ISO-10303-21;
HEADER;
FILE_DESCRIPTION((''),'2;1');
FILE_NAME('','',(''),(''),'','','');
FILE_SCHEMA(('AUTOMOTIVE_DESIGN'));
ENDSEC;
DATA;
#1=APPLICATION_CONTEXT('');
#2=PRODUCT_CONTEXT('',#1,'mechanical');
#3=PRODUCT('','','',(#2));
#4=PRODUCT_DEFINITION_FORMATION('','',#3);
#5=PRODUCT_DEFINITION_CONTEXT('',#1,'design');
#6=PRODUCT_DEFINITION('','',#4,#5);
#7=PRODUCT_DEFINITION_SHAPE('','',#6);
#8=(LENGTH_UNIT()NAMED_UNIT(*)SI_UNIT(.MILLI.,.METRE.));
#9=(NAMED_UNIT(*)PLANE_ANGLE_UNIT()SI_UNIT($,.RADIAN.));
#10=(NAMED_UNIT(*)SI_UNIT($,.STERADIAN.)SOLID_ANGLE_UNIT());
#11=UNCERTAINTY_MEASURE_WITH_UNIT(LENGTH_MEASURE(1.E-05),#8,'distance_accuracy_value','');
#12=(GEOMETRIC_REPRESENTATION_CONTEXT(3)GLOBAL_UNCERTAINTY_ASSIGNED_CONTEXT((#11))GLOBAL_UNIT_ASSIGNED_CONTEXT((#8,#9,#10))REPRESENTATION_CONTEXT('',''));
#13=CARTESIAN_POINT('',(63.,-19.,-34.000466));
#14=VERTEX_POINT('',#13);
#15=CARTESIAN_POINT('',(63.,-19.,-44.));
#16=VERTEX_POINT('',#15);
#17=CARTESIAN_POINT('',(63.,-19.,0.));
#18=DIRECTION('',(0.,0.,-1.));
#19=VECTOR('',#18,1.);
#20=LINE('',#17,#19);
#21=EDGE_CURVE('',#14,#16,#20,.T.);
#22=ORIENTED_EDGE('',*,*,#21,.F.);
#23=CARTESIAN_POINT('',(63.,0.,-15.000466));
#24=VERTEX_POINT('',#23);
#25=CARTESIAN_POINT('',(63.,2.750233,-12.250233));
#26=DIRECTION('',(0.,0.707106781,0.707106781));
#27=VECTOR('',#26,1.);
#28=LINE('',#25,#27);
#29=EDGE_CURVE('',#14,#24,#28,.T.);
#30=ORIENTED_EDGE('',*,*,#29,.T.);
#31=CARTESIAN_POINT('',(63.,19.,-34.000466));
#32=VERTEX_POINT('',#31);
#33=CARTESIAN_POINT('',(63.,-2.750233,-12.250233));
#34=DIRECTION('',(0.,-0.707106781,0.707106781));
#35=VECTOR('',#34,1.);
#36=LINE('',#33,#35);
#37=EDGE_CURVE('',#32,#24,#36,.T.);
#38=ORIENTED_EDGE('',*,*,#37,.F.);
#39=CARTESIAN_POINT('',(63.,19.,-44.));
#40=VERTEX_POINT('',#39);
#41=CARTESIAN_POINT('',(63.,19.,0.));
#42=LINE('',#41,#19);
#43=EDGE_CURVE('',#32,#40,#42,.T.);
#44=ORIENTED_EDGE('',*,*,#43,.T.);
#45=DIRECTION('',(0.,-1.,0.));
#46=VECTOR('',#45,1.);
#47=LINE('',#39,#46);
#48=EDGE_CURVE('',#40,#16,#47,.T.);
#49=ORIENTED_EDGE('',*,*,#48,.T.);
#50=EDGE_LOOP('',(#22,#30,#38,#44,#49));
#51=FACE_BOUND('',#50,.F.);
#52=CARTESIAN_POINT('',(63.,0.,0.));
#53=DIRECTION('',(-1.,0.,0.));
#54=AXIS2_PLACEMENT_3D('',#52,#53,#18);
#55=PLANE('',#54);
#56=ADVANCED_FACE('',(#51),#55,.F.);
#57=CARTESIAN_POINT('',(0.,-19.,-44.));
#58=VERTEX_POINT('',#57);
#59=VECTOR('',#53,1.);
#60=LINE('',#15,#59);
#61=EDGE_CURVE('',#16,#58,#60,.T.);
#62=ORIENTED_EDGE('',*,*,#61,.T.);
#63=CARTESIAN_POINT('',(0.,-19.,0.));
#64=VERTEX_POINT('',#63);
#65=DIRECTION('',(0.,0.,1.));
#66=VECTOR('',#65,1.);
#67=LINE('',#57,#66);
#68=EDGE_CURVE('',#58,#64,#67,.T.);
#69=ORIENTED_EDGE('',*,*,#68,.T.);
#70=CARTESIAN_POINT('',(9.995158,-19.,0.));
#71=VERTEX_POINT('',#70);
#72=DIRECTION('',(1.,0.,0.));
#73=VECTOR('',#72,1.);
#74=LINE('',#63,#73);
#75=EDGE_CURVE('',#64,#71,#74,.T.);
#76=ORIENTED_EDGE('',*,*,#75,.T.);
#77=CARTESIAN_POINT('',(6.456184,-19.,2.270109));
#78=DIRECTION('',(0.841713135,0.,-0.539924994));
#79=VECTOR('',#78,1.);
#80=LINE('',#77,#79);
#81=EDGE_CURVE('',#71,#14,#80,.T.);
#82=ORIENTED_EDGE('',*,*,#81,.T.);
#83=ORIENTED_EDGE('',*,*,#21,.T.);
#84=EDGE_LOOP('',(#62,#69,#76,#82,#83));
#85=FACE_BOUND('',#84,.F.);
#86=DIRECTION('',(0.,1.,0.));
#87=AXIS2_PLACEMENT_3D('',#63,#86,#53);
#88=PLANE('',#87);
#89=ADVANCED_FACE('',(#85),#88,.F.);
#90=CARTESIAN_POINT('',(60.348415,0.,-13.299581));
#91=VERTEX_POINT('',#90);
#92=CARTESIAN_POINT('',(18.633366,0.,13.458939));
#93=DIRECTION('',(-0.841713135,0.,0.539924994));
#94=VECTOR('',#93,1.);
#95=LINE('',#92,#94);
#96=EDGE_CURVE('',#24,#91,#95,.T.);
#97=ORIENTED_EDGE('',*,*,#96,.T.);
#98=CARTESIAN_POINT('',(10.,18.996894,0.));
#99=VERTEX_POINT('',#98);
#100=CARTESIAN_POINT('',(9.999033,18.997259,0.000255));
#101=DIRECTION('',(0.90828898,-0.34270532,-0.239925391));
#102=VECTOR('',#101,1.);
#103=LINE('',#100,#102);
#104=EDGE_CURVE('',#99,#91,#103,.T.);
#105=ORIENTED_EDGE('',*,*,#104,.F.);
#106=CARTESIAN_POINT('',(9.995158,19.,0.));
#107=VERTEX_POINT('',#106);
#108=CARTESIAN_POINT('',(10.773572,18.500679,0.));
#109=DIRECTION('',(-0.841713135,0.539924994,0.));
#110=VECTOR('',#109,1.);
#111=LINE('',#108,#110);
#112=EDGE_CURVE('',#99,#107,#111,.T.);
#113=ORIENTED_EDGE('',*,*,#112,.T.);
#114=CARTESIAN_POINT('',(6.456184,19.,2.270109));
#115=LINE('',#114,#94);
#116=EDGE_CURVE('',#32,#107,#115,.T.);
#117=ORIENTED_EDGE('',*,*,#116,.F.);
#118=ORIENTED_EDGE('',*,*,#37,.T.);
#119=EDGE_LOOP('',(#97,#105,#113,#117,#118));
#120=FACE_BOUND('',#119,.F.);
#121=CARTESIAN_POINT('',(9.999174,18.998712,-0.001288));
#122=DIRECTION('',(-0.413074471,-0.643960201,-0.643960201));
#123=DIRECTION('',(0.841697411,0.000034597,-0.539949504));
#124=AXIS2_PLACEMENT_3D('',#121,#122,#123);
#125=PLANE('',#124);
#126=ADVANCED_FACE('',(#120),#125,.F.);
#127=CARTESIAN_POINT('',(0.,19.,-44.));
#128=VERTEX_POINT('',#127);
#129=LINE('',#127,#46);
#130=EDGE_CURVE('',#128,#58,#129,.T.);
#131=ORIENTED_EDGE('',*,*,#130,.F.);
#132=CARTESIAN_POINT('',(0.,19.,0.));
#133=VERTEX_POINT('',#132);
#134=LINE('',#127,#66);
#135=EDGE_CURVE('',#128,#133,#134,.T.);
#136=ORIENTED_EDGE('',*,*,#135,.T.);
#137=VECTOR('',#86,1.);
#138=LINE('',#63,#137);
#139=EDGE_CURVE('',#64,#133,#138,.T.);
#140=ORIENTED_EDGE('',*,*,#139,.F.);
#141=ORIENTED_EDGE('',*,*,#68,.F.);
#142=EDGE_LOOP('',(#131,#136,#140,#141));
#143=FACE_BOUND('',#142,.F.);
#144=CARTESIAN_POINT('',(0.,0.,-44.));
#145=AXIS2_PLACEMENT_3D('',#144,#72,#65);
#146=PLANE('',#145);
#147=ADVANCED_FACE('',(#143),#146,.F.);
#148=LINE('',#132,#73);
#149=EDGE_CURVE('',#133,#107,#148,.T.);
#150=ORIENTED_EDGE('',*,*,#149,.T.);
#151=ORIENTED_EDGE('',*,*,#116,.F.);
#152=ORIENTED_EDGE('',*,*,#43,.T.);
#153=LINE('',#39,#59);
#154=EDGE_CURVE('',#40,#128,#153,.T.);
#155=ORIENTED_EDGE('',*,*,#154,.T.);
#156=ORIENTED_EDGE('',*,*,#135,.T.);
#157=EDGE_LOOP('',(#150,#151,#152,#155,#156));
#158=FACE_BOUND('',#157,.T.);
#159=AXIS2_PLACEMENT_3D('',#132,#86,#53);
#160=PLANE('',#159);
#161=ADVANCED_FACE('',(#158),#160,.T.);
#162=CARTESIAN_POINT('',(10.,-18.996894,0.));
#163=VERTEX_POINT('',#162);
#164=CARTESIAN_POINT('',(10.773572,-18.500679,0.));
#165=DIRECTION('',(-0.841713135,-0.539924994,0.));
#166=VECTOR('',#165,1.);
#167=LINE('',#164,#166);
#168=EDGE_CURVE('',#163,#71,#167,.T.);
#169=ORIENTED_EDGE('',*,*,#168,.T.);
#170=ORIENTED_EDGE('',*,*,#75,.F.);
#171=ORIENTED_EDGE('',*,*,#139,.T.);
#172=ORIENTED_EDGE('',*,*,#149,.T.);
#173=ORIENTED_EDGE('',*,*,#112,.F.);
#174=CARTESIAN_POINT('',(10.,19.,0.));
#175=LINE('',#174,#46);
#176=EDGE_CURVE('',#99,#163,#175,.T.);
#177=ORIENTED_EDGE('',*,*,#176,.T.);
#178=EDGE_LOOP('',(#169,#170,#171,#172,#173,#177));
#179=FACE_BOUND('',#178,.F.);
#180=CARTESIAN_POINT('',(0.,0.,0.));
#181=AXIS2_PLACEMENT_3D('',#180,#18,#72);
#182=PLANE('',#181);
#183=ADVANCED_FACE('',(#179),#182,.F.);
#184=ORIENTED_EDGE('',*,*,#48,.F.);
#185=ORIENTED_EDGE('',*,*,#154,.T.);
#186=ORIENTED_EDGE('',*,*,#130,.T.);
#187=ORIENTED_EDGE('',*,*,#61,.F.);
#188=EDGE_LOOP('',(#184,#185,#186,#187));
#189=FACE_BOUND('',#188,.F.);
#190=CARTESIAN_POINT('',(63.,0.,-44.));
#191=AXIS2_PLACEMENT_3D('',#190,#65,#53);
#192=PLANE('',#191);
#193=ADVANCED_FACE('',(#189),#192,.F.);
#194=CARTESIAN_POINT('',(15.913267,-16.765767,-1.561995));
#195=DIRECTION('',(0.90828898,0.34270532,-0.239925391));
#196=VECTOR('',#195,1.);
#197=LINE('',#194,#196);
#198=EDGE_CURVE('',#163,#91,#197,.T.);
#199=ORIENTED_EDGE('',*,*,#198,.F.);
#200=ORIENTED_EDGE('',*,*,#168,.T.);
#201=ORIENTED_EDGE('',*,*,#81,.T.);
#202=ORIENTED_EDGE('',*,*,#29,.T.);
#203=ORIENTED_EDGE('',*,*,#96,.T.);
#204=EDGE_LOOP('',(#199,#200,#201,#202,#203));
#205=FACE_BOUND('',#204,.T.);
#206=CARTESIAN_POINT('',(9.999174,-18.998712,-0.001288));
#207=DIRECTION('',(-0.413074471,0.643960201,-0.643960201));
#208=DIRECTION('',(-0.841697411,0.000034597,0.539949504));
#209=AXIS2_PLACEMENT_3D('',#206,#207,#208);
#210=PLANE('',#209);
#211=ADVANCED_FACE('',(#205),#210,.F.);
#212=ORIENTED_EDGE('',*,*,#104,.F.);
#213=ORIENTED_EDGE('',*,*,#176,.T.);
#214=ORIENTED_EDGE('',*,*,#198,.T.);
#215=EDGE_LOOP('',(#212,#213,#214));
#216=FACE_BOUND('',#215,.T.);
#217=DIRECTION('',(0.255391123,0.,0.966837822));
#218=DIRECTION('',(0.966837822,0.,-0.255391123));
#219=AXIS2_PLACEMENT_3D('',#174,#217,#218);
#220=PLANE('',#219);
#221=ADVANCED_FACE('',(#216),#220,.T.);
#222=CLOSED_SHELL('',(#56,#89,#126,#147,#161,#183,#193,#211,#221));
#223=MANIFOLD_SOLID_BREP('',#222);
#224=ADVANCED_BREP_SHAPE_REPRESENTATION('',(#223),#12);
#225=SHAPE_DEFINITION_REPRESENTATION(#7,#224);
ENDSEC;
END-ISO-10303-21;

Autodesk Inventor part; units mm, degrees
ref_plane "YZ Plane" through (0, 0, 0) normal (1, 0, 0) x (0, 1, 0)
ref_plane "XZ Plane" through (0, 0, 0) normal (0, 1, 0) x (-1, 0, 0)
sketch "草圖1" plane through (0, 0, 0) normal (0, 1, 0) x (-1, 0, 0)
  line L0 (0, 0) -> (-63, 0)
  line L1 (-63, 0) -> (-63, -44)
  line L2 (-63, -44) -> (0, -44)
  line L3 (0, -44) -> (0, 0)
  dimension "d0" = 63
  dimension "d1" = 44
extrude "擠出1" add sketch "草圖1" along normal mid plane 38
sketch "草圖2" plane through (0, 19, 0) normal (0, 1, 0) x (1, 0, 0)
  line L0 (0, 0) -> (63, 0) projected
  line L1 (10, 0) -> (63, 14)
  line L2 (63, 0) -> (63, 44) projected
  dimension "d4" = 10
  dimension "d5" = 30
extrude "擠出2" cut sketch "草圖2" against normal blind 40
sketch "草圖3" plane through (63, -19, -44) normal (1, 0, 0) x (0, 0, -1)
  line L0 (-30, 18) -> (-10, 38)
  line L1 (0, 38) -> (-44, 38) projected
  line L2 (-30, 38) -> (-30, 0) projected
  point P0 (-44, 19)
  dimension "d8" = 20
  dimension "d9" = 20
ref_plane "工作平面1" through (10, 19, 0) normal (-0.4131, -0.644, -0.644) x (0.8417, 0, -0.54)
sketch "草圖4" plane through (10, 19, 0) normal (-0.4131, -0.644, -0.644) x (0.8417, 0, -0.54)
  line L0 (-15.1543, -12.3218) -> (93.717, -12.3218)
  line L1 (93.717, -12.3218) -> (93.717, 28.8166)
  line L2 (93.717, 28.8166) -> (-15.1543, 28.8166)
  line L3 (-15.1543, 28.8166) -> (-15.1543, -12.3218)
  point P0 (-8.4169, 11.0592)
extrude "擠出3" cut sketch "草圖4" against normal blind 40
mirror "鏡射1" about plane through (0, 0, 0) normal (0, 1, 0) of "擠出3"
properties part number "6444"
